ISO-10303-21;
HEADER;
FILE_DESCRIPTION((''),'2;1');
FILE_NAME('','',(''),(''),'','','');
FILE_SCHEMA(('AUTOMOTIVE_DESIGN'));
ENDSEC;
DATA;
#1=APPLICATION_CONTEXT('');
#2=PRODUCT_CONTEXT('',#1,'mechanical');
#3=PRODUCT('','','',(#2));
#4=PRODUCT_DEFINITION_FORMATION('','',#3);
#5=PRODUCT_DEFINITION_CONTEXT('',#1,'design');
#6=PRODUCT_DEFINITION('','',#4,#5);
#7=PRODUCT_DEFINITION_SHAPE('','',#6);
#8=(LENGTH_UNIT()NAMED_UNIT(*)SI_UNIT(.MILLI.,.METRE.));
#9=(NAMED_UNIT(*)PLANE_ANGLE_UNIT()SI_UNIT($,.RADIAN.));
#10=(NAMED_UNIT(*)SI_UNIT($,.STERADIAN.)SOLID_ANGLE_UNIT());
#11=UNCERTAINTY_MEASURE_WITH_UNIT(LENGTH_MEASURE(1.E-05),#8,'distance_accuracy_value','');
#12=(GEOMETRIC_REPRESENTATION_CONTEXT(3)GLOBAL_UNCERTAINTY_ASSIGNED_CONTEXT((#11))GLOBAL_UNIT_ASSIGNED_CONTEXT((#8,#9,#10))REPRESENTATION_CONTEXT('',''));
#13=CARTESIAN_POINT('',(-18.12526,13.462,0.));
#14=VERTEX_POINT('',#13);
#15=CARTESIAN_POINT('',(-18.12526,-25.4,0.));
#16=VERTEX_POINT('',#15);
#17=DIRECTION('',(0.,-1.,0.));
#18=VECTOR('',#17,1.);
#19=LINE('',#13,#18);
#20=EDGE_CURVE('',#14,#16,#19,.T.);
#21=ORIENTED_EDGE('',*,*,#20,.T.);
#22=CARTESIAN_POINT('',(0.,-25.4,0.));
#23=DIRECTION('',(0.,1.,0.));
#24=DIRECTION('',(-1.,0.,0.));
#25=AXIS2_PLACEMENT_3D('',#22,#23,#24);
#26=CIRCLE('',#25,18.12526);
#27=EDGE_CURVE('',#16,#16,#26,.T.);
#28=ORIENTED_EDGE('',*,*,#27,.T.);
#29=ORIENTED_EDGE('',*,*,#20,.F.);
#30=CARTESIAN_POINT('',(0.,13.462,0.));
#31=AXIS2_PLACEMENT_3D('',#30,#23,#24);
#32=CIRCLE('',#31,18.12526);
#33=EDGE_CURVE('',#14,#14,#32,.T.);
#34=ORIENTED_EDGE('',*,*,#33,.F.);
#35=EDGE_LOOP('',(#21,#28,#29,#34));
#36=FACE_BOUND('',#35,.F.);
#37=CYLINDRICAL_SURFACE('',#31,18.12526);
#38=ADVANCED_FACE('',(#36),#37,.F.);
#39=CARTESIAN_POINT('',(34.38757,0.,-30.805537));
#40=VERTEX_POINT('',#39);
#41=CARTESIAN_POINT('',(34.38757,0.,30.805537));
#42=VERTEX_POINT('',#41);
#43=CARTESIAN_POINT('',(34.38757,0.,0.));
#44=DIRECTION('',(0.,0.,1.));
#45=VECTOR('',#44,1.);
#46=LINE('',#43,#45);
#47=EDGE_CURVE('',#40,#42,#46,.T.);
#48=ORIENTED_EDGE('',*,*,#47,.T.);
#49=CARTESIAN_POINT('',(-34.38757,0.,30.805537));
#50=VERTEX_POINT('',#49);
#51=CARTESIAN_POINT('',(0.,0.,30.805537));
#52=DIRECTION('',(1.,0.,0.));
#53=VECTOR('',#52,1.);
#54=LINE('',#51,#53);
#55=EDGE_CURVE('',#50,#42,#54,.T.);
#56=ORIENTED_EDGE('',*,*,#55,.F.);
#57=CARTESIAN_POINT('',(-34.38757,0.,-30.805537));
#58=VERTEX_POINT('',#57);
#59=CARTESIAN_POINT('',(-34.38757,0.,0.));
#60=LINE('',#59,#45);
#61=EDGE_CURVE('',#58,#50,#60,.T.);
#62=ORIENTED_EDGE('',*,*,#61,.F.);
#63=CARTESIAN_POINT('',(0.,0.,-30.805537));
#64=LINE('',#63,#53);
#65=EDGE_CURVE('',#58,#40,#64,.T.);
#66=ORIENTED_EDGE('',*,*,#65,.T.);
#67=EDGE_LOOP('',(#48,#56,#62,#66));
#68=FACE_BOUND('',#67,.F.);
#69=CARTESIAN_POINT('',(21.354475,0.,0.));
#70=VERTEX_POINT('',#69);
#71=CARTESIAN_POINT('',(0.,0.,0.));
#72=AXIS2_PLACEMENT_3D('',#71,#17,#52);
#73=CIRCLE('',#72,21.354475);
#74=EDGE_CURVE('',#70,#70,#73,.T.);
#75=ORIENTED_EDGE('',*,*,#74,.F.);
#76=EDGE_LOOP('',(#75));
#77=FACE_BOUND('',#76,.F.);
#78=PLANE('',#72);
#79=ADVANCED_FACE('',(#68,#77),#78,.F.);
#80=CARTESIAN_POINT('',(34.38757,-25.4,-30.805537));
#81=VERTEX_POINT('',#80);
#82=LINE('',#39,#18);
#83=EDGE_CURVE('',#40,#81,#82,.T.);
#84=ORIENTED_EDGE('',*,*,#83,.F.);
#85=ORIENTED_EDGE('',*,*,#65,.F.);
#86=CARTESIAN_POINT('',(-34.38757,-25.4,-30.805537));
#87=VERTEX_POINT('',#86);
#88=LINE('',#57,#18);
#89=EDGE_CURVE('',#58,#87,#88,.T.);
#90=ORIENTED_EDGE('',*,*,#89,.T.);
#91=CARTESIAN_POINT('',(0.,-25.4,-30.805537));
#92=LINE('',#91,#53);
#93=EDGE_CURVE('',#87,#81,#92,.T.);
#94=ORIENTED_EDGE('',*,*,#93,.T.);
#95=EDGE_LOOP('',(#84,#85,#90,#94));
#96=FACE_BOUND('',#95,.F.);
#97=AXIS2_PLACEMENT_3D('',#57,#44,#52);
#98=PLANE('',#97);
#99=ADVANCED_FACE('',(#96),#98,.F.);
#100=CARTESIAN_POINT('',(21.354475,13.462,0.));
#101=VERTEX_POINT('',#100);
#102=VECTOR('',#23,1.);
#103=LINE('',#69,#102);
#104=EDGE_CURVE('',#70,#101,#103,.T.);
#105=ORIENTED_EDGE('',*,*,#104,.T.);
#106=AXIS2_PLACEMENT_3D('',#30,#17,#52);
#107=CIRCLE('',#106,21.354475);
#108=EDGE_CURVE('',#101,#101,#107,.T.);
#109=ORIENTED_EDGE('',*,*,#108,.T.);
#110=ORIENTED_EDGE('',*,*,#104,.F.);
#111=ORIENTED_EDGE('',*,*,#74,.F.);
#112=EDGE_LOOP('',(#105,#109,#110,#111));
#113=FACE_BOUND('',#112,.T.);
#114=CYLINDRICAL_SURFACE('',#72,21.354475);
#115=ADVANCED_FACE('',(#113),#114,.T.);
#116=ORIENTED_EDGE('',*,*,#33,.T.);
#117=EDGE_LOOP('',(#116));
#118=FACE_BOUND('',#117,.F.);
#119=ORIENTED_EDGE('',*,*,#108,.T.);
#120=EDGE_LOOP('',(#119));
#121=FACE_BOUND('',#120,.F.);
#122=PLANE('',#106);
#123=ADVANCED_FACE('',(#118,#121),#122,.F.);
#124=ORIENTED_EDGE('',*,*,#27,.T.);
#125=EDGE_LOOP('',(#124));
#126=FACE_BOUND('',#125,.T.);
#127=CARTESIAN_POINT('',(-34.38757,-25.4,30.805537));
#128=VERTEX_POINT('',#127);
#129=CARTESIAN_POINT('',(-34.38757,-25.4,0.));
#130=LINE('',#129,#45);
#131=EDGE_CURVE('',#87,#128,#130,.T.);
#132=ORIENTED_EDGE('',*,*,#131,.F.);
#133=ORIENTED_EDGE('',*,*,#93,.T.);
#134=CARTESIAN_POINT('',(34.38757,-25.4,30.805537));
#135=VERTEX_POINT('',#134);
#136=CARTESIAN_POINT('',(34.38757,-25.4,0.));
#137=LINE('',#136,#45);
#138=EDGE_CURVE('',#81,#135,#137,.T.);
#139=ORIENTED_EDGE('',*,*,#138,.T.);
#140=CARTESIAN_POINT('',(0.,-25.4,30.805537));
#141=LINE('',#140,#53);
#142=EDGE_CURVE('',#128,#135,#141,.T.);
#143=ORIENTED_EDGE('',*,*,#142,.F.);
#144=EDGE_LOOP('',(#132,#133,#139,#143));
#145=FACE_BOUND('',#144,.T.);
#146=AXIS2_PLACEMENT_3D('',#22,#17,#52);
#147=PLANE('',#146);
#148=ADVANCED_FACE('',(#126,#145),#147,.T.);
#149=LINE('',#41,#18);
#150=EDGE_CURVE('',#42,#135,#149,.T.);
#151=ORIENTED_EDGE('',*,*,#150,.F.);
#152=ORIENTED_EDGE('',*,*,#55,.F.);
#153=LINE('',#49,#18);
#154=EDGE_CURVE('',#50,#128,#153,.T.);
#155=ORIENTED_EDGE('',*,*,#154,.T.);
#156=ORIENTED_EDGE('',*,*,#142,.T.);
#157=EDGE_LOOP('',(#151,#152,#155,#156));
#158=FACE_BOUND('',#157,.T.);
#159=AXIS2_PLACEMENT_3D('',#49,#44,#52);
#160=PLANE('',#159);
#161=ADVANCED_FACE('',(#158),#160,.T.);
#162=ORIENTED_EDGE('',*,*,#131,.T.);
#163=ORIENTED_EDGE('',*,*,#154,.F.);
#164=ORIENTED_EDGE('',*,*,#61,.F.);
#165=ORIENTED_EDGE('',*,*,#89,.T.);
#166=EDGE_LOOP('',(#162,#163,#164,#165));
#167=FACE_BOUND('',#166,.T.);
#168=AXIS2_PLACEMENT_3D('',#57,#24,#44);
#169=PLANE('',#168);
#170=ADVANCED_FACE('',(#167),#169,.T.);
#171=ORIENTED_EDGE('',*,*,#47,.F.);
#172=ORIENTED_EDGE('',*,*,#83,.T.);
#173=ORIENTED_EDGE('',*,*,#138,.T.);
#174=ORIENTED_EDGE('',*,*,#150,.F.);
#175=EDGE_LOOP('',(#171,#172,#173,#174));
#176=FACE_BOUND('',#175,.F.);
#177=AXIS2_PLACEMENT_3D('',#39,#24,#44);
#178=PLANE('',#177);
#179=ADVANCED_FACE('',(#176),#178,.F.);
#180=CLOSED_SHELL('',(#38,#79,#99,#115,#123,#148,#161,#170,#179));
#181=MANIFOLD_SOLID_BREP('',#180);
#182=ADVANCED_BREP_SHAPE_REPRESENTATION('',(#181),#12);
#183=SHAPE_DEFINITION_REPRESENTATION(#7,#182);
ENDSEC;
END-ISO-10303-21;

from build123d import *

# Parameters (mm, degrees)
F0_W     = 68.77514
F0_H     = 61.611074
F1_DEPTH = 25.4
F2_R     = 21.354475
F3_DEPTH = 13.462
F4_R     = 18.12526
F5_DEPTH = 60.452


with BuildPart() as f1:
    # F0 (on Front) → F1 (new body)
    with BuildSketch(Plane.XZ):
        Rectangle(F0_W, F0_H)
    extrude(amount=F1_DEPTH)

    # F2 (on face) → F3 (join)
    with BuildSketch(Plane.XZ):
        Circle(F2_R)
    extrude(amount=-F3_DEPTH)

    # F4 (on face) → F5 (cut)
    with BuildSketch(Plane(origin=(0, 13.462, 0), x_dir=(-1, 0, 0), z_dir=(0, 1, 0))):
        Circle(F4_R)
    extrude(amount=-F5_DEPTH, mode=Mode.SUBTRACT)


solid = f1.part
